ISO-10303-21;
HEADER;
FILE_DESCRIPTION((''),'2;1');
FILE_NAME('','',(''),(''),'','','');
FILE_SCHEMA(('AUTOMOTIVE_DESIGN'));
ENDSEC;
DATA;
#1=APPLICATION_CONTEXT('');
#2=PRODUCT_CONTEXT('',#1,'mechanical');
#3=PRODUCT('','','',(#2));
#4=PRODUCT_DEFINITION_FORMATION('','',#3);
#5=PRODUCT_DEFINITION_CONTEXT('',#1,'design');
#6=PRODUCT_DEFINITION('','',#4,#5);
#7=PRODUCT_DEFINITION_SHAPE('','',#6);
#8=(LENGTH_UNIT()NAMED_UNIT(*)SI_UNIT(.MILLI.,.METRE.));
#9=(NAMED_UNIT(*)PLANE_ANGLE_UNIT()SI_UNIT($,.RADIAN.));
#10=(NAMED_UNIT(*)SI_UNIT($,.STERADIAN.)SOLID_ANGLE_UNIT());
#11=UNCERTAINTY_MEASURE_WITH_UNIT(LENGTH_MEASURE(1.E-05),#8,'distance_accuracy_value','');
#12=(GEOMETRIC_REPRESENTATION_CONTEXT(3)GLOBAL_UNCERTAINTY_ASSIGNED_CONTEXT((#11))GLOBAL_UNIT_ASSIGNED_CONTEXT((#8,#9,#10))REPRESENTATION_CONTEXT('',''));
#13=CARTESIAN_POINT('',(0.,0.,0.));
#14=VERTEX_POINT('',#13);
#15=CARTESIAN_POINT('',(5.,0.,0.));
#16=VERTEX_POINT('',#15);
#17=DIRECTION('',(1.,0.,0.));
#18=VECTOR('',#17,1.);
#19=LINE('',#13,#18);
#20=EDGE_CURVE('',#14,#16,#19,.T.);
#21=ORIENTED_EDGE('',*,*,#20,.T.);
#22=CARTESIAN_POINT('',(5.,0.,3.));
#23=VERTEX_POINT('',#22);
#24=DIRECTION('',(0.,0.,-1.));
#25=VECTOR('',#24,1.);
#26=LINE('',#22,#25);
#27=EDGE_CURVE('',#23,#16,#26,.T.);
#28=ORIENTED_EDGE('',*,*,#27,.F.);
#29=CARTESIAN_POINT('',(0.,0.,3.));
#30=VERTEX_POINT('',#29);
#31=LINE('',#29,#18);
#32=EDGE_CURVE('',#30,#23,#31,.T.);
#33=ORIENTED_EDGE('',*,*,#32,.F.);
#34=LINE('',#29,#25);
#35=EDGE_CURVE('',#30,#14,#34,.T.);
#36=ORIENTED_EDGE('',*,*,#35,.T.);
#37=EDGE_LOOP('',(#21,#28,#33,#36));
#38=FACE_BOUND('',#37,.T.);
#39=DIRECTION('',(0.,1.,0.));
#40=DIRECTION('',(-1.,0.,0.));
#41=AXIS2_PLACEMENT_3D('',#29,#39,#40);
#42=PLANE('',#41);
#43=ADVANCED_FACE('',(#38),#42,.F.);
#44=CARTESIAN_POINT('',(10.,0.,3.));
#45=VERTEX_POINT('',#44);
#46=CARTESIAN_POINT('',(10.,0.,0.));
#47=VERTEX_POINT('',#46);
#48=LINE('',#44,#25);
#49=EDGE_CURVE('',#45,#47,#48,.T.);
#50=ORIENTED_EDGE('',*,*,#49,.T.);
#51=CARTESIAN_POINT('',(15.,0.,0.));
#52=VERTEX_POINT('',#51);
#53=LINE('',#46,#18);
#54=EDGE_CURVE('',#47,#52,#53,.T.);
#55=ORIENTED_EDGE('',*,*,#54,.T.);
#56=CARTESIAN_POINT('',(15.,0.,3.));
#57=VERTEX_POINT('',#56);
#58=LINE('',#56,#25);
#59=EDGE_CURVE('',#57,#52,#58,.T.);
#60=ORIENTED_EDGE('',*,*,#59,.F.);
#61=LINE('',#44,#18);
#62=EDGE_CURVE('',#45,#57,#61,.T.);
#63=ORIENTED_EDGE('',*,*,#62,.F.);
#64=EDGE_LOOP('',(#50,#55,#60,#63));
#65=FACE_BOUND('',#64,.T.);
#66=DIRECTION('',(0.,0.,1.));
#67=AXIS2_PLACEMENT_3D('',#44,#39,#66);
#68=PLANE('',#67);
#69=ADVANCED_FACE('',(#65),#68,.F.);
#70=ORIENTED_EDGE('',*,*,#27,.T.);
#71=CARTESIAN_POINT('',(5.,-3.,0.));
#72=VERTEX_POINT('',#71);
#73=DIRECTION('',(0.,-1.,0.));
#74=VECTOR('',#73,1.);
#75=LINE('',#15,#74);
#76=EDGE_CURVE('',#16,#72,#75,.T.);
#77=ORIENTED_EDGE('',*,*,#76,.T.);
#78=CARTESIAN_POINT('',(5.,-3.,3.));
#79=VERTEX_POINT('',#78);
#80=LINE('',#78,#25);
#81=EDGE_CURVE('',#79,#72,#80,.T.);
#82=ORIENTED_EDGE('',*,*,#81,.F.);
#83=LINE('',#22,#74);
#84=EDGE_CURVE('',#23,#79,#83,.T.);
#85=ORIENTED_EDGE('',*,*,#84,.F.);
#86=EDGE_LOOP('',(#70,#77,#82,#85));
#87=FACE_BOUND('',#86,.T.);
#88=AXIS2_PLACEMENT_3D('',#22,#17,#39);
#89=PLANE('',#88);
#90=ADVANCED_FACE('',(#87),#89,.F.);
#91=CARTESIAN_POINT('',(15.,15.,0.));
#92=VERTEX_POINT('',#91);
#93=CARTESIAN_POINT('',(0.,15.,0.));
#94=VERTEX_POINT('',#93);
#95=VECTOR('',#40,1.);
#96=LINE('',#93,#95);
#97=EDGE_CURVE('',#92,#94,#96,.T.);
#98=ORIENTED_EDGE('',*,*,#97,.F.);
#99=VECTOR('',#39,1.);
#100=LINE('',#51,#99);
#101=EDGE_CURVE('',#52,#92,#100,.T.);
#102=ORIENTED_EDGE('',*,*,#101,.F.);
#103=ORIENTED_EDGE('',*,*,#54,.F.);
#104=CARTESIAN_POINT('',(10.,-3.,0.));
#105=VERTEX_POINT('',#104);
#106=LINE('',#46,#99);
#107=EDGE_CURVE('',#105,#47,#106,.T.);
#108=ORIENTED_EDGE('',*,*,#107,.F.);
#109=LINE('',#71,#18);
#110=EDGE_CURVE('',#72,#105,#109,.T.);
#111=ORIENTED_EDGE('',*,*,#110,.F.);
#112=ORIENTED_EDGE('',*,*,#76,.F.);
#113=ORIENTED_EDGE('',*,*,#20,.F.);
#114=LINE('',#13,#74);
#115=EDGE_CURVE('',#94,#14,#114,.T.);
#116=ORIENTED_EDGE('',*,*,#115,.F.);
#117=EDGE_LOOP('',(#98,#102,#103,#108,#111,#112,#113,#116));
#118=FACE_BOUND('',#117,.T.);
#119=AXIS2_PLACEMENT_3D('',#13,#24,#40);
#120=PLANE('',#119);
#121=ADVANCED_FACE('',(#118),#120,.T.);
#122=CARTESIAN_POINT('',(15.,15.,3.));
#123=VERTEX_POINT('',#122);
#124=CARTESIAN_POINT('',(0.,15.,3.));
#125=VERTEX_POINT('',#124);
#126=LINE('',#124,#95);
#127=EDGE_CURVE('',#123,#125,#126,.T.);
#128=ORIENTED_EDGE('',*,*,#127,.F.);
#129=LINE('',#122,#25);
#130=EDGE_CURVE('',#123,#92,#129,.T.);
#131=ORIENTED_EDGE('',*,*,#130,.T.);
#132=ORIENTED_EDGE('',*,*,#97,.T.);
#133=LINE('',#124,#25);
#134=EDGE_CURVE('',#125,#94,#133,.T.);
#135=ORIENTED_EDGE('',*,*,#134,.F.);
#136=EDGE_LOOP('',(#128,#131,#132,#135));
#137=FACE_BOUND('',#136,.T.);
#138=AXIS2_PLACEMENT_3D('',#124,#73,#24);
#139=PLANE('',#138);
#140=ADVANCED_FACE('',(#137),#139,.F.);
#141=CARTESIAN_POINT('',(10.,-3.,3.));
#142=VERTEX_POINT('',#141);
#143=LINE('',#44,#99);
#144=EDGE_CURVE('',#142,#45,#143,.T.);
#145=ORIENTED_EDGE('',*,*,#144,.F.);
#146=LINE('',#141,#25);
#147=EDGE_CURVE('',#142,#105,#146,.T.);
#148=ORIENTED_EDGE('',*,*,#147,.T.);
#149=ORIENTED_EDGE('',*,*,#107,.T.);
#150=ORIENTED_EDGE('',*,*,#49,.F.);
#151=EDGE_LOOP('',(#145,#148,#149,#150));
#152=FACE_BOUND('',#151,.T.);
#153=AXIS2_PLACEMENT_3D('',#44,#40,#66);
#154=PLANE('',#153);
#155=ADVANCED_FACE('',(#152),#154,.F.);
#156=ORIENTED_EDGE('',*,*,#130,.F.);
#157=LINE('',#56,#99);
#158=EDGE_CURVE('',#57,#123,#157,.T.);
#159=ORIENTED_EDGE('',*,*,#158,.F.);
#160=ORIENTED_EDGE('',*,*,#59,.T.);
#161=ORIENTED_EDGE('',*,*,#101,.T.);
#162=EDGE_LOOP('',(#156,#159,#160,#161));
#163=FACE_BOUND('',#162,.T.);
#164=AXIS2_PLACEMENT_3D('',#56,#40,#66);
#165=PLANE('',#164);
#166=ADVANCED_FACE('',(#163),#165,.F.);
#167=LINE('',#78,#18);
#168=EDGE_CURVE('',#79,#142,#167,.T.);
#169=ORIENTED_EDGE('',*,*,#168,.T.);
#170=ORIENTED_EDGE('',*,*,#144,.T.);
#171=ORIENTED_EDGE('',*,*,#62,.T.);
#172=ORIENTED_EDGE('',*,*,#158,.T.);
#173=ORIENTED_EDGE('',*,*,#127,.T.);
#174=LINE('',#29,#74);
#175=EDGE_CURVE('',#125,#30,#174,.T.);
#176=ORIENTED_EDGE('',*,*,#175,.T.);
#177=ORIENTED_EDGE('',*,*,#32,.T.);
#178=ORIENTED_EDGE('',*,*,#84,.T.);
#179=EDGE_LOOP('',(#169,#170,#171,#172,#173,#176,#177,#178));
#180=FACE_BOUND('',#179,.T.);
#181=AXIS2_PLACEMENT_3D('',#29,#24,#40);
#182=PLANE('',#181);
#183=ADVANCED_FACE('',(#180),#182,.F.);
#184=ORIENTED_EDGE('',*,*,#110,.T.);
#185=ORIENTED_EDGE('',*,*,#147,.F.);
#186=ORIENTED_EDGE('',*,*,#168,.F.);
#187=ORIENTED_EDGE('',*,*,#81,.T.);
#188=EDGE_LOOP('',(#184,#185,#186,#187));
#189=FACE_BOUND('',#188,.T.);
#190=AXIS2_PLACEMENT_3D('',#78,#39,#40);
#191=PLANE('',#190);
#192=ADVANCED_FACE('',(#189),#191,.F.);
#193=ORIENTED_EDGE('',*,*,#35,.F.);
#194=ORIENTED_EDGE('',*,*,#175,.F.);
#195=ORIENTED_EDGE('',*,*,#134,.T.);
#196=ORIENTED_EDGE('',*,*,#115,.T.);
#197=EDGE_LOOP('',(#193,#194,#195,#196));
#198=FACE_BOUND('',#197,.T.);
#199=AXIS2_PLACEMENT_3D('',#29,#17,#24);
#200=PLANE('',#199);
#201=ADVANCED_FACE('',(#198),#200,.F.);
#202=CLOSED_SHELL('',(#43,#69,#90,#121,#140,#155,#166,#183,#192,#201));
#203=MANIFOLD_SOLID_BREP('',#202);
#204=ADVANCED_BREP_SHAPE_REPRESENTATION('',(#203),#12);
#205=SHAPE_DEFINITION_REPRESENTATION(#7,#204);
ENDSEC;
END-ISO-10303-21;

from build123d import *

# Parameters (mm, degrees)
EXTRUDE_1_DEPTH = 3


with BuildPart() as part:
    # 草图1 → 凸台-拉伸1 (new body)
    with BuildSketch(Plane.XY):
        Polygon((10, 0), (15, 0), (15, 15), (0, 15), (0, 0), (5, 0), (5, -3), (10, -3), align=None)
    extrude(amount=EXTRUDE_1_DEPTH)


solid = part.part
